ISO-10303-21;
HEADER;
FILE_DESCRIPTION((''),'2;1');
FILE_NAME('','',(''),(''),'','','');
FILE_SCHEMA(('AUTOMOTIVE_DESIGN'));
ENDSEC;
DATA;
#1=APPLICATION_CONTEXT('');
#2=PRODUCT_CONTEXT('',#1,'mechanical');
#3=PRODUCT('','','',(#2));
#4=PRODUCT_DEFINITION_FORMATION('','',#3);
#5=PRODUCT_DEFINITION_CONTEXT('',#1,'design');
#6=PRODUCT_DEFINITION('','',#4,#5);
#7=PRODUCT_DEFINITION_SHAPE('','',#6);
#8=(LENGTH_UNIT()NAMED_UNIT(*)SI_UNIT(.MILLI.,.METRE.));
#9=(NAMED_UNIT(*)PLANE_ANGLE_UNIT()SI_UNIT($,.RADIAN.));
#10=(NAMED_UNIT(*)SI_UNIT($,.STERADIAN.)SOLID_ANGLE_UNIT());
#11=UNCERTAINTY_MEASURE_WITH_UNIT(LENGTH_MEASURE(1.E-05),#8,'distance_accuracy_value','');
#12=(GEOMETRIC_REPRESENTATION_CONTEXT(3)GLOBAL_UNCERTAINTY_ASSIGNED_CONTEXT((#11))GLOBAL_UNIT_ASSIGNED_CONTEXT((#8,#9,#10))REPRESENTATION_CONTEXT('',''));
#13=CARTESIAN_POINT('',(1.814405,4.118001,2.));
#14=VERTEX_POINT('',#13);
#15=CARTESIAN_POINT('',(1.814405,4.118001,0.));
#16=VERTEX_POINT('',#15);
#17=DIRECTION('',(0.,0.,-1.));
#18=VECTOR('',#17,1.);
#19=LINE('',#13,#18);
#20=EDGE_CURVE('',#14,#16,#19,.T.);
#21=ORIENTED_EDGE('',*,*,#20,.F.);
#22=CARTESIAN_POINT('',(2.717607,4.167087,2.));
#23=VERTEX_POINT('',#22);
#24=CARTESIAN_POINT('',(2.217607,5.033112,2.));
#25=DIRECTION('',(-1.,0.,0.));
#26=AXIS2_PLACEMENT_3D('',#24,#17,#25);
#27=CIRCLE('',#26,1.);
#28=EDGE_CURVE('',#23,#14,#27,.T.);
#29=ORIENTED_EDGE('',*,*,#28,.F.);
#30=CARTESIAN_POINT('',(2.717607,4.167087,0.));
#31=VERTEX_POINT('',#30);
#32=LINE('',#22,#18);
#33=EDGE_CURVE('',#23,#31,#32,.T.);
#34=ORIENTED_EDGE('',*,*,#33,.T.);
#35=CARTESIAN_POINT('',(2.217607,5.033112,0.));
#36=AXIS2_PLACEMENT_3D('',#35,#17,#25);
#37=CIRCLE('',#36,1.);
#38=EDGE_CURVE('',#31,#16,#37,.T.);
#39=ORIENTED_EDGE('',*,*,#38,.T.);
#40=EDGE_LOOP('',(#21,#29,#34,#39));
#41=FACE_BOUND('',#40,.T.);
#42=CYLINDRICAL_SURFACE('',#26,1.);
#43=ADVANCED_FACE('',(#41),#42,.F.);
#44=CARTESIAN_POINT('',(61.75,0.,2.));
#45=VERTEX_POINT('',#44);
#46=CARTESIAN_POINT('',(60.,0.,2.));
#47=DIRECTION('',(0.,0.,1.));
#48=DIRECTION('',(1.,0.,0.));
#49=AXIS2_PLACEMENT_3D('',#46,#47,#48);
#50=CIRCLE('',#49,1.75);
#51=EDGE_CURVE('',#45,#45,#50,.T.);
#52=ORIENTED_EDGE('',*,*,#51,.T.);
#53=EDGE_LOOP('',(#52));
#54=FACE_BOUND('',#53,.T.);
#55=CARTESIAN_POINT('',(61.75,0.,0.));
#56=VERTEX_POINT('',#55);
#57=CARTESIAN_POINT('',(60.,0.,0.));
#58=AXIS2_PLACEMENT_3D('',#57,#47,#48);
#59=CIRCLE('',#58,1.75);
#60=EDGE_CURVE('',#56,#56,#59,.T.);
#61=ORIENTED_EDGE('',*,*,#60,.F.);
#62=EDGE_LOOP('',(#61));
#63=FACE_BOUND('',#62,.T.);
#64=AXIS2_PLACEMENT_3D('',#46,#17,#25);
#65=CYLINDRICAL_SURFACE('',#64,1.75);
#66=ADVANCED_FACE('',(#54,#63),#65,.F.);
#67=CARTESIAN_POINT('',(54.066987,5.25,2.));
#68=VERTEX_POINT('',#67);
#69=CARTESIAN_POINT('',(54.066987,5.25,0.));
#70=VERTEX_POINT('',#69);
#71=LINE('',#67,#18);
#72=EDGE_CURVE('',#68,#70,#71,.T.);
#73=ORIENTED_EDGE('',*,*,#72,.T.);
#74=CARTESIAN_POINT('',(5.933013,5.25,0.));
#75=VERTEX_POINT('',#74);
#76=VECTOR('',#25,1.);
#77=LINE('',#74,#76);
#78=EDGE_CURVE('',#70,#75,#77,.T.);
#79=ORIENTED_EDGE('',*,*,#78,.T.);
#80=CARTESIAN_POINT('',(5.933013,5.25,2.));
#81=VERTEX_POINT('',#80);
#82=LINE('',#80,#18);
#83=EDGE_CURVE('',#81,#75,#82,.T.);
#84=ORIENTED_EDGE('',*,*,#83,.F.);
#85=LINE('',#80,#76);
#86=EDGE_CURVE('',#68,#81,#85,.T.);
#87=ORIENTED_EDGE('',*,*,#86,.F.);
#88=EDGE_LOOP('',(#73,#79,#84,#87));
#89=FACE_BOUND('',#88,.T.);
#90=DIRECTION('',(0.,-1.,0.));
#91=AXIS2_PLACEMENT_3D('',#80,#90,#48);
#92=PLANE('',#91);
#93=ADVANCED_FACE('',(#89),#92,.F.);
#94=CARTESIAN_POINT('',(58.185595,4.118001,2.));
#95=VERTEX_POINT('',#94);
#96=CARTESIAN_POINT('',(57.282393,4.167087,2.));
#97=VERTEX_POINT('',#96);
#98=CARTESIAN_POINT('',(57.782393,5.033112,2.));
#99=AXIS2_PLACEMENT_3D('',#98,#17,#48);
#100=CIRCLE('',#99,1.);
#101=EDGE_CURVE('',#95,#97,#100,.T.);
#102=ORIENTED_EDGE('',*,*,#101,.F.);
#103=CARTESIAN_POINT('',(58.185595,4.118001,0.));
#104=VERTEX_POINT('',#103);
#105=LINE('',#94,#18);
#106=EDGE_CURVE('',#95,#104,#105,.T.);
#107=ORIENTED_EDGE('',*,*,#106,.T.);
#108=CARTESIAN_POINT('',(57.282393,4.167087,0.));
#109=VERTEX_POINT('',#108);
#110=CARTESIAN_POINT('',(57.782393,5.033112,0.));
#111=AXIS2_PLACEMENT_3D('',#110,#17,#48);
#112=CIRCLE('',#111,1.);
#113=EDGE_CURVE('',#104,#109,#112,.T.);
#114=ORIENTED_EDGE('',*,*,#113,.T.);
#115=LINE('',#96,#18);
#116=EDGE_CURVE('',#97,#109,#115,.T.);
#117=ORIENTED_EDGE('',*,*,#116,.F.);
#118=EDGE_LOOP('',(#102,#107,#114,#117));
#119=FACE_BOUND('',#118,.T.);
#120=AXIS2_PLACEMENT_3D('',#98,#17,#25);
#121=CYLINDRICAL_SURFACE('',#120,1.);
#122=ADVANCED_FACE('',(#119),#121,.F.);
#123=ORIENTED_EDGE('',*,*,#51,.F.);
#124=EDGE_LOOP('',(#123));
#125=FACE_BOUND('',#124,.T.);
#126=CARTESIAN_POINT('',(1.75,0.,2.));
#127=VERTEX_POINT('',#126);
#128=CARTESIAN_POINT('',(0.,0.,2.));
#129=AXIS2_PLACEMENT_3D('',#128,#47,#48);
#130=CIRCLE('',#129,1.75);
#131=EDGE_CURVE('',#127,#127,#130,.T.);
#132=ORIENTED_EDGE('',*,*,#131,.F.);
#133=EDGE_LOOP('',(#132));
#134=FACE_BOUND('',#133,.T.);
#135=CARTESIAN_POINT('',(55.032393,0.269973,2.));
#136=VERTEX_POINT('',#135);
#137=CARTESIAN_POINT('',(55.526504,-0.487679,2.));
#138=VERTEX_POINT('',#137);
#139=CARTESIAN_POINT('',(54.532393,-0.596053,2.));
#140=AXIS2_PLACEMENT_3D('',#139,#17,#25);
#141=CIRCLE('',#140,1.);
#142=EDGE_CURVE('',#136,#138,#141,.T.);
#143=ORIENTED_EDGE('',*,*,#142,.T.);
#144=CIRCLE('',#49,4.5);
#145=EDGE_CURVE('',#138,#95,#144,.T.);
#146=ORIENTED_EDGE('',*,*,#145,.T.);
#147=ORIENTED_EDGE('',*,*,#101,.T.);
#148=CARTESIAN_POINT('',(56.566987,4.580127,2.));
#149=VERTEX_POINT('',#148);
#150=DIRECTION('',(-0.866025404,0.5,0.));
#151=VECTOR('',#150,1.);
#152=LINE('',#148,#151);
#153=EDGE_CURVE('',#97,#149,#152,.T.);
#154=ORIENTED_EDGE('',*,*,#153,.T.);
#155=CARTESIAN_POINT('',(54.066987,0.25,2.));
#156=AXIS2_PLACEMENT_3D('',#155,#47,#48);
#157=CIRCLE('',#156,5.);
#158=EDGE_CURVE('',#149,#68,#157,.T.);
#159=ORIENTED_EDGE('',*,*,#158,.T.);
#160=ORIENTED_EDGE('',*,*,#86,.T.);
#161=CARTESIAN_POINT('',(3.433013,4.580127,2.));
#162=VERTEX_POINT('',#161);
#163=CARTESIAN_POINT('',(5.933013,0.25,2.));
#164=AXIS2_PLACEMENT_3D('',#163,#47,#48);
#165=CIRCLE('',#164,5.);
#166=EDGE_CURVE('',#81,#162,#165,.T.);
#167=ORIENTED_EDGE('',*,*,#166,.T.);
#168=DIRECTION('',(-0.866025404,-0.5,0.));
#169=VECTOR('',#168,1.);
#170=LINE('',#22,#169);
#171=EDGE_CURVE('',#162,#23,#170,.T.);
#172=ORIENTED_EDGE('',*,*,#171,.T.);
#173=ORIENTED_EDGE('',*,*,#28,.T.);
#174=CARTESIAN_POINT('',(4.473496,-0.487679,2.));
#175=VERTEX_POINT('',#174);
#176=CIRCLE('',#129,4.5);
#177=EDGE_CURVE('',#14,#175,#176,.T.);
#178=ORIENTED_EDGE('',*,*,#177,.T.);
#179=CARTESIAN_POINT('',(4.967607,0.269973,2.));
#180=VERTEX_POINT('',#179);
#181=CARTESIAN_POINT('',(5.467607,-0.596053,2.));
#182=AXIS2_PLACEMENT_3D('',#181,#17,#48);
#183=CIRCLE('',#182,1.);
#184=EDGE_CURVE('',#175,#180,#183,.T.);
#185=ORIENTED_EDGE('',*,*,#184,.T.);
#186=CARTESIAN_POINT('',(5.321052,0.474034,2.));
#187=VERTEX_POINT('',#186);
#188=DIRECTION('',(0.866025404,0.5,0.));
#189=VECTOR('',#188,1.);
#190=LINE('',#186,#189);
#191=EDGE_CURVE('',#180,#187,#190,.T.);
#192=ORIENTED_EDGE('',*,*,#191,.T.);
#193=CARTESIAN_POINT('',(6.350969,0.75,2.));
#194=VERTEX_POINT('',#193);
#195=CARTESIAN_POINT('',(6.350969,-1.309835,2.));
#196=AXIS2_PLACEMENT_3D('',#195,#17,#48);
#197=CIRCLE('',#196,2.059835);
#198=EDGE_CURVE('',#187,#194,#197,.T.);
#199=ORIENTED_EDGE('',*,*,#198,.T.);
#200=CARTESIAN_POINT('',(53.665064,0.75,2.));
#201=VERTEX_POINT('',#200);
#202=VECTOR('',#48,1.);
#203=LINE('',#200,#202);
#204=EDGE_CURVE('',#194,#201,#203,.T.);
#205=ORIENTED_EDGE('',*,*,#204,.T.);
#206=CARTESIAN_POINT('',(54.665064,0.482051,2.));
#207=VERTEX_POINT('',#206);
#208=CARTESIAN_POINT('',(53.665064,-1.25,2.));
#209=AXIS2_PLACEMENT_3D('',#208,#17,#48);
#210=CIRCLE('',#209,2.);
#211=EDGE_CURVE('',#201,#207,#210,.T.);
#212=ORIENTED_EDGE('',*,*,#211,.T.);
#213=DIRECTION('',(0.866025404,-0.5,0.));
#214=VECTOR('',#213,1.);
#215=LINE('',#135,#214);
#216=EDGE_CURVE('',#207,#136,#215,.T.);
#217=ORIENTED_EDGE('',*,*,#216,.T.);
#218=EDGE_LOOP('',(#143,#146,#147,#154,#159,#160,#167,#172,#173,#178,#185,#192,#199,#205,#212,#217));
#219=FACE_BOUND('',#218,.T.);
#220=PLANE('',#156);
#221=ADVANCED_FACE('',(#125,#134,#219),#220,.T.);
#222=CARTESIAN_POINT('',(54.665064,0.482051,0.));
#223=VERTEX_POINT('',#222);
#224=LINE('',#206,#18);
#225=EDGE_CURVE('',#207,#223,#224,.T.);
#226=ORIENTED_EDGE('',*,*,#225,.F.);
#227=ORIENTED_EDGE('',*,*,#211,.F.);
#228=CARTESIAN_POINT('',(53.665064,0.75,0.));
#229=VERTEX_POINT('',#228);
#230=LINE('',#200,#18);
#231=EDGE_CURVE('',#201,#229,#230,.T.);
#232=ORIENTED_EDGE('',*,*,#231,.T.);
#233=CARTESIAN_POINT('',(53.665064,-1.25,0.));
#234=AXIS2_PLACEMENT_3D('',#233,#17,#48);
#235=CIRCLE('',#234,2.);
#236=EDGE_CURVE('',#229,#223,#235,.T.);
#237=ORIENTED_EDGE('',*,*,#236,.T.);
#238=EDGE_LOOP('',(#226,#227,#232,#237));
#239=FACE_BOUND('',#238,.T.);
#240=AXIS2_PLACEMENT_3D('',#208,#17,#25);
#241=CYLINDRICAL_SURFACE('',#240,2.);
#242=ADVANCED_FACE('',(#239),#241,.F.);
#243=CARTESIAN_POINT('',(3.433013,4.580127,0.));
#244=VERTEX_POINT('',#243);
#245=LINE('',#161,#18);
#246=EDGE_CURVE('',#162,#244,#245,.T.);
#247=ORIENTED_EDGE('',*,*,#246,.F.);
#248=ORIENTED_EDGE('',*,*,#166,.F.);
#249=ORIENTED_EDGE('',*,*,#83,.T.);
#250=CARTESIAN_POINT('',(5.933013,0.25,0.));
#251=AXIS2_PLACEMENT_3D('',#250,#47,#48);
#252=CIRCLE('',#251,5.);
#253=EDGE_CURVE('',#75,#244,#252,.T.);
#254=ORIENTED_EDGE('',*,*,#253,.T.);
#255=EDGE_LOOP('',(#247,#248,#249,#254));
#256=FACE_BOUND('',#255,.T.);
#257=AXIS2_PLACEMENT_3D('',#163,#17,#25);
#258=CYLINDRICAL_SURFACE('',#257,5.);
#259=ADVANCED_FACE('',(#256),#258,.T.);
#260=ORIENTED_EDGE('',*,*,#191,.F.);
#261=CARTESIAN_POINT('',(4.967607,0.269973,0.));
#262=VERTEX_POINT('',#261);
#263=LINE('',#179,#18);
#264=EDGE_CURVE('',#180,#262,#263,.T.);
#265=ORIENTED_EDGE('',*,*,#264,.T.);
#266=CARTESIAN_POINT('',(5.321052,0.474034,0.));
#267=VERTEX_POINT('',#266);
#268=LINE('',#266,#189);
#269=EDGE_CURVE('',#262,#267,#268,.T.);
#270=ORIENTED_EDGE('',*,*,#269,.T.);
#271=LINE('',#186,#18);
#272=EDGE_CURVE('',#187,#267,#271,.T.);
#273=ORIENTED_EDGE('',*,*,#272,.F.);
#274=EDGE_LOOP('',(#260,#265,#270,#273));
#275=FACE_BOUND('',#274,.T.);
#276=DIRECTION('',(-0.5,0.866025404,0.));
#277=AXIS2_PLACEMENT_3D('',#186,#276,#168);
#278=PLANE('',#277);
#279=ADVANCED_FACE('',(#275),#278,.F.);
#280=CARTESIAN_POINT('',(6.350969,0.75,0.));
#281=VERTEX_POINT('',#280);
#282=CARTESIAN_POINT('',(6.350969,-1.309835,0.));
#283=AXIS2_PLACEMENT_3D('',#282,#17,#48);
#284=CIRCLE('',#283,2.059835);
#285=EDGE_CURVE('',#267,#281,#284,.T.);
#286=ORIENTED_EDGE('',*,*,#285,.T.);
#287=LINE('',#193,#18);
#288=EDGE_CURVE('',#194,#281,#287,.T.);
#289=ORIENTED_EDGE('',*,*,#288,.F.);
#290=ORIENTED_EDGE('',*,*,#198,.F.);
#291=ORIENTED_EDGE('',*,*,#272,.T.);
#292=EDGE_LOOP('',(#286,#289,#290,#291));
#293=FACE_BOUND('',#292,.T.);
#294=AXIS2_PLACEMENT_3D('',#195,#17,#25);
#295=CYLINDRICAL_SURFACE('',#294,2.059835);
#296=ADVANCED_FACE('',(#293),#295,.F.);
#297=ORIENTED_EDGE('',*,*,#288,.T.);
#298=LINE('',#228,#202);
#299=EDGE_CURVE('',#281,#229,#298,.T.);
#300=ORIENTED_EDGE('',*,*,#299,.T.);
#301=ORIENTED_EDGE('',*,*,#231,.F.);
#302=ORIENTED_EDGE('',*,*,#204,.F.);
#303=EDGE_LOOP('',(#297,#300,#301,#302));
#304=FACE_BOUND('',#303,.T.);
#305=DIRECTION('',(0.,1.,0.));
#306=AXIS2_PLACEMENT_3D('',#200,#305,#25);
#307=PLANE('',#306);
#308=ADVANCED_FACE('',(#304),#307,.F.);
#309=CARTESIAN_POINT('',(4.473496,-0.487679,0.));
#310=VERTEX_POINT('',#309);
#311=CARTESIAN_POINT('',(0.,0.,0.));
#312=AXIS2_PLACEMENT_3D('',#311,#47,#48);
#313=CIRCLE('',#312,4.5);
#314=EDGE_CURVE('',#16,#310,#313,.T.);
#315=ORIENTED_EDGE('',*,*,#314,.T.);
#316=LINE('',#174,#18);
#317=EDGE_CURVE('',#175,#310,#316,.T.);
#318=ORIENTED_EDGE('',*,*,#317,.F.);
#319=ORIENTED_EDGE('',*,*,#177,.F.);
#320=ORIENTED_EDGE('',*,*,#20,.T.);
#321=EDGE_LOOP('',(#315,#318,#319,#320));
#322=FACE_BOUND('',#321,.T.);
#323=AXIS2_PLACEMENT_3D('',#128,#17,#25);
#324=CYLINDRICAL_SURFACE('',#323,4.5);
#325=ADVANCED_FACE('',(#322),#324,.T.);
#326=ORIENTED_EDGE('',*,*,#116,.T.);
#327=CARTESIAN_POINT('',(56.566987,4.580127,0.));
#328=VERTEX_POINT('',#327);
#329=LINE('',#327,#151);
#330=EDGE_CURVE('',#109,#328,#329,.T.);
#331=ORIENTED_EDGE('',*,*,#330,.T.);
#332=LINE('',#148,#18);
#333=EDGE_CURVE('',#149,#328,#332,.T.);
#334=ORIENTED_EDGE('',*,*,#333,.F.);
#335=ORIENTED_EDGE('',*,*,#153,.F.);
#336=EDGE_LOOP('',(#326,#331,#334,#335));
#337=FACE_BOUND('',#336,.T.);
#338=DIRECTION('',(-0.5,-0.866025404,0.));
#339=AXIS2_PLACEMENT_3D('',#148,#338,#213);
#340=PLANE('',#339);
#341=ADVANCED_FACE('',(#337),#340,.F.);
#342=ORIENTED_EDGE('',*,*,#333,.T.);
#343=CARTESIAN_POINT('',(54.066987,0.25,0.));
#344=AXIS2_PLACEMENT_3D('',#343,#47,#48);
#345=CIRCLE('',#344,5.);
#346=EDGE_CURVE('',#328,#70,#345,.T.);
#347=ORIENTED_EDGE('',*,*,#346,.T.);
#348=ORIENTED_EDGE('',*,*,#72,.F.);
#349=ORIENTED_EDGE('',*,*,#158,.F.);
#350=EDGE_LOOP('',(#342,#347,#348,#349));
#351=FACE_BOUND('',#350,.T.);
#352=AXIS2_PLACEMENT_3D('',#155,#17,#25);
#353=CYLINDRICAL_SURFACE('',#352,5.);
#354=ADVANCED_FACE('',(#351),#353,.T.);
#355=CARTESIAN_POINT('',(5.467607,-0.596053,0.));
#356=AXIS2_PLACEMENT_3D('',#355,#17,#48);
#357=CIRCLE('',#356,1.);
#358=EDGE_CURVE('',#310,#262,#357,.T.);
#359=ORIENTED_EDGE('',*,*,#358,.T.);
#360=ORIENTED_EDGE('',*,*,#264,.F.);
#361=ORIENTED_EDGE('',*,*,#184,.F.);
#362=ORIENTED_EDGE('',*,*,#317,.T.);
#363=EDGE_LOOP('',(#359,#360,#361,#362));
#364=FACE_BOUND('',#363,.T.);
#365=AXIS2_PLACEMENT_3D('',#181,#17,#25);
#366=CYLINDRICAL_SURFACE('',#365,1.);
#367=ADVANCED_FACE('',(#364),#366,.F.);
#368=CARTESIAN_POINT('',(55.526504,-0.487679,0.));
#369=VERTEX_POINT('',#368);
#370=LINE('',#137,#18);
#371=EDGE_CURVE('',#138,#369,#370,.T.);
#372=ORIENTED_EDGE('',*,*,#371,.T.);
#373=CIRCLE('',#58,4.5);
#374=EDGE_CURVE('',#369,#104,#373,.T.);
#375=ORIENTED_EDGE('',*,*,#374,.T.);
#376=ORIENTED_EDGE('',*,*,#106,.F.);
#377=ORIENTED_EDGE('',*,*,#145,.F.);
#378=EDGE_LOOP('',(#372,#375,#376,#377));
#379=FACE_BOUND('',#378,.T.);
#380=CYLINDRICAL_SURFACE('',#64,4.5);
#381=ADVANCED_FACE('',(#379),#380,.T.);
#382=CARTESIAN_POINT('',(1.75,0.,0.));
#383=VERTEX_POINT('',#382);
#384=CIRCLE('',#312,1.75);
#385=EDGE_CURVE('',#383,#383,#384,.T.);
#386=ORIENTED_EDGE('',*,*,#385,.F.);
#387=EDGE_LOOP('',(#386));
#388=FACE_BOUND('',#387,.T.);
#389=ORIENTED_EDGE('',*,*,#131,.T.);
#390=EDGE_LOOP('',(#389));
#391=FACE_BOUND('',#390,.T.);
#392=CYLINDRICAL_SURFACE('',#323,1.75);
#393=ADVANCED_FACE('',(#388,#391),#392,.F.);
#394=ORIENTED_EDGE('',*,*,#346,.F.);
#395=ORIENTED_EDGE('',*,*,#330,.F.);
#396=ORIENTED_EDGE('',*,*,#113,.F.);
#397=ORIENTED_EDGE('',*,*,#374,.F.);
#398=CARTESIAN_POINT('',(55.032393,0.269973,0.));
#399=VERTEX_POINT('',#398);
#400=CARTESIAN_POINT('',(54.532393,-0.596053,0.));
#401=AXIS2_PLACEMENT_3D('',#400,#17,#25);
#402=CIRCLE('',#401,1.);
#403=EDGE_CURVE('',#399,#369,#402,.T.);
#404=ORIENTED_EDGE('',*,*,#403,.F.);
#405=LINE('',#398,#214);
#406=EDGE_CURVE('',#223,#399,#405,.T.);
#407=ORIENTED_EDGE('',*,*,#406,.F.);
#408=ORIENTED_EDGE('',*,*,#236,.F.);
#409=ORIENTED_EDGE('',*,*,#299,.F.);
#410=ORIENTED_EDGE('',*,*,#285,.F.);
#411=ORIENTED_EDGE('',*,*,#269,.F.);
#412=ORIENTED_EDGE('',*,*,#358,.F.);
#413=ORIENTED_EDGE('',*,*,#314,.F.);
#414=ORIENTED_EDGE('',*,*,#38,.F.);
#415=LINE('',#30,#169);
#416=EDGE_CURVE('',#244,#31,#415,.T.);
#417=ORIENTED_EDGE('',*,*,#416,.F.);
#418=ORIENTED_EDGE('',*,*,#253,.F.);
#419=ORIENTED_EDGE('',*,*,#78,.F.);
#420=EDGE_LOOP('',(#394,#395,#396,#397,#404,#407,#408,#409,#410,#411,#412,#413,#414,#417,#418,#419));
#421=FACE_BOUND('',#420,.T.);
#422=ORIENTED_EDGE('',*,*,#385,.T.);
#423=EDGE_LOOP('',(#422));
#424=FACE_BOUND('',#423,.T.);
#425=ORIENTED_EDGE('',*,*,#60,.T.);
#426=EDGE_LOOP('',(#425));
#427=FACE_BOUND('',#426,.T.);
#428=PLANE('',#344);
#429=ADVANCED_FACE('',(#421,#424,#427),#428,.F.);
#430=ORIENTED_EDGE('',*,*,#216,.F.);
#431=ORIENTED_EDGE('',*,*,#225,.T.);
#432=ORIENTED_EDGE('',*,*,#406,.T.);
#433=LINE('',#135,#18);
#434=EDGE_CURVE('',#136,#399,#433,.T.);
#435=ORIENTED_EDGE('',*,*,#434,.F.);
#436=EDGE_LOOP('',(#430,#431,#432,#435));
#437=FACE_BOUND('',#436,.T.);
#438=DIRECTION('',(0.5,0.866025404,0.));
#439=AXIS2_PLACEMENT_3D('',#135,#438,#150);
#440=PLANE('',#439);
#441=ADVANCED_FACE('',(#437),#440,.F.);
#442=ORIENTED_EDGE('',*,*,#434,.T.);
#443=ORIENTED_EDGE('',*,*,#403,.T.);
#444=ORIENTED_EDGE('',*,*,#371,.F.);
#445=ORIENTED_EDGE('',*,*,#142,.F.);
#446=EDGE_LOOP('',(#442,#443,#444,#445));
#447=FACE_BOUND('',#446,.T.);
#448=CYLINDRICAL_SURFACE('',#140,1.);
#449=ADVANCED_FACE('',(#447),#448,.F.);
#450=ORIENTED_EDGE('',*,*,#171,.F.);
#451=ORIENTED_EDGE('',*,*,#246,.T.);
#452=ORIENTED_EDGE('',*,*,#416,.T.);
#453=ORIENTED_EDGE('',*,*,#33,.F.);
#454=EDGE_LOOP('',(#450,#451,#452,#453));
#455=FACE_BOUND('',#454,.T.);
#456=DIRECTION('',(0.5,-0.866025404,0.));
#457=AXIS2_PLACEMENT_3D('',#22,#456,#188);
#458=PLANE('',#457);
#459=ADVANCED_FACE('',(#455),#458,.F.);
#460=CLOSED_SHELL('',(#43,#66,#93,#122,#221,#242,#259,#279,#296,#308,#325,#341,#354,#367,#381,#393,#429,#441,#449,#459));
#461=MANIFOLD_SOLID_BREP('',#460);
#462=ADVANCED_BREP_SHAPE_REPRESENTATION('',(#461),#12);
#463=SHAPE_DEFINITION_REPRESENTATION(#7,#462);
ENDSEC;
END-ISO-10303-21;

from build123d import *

# Parameters (mm, degrees)
SKETCH1_R           = 1.75
BOSS_EXTRUDE1_DEPTH = 2


with BuildPart() as part:
    # Sketch1 → Boss-Extrude1 (new body)
    with BuildSketch(Plane.XY):
        with BuildLine():
            Line((2.717606537, 4.167087077), (3.433012702, 4.580127019))
            ThreePointArc((3.433012702, 4.580127019), (4.638917476, 5.079629131), (5.933012702, 5.25))
            Line((5.933012702, 5.25), (54.066987298, 5.25))
            ThreePointArc((54.066987298, 5.25), (55.361082524, 5.079629131), (56.566987298, 4.580127019))
            Line((56.566987298, 4.580127019), (57.282393463, 4.167087077))
            ThreePointArc((57.282393463, 4.167087077), (57.728126896, 4.034585997), (58.185594651, 4.118001121))
            ThreePointArc((58.185594651, 4.118001121), (63.897114317, -2.25), (55.526503742, -0.487679436))
            ThreePointArc((55.526503742, -0.487679436), (55.370009481, -0.049793176), (55.032393463, 0.26997276))
            Line((55.032393463, 0.26997276), (54.665063509, 0.482050808))
            ThreePointArc((54.665063509, 0.482050808), (54.1827016, 0.681851653), (53.665063509, 0.75))
            Line((53.665063509, 0.75), (6.350969201, 0.75))
            ThreePointArc((6.350969201, 0.75), (5.817844702, 0.679812828), (5.321051756, 0.474034452))
            Line((5.321051756, 0.474034452), (4.967606537, 0.26997276))
            ThreePointArc((4.967606537, 0.26997276), (4.629990519, -0.049793176), (4.473496258, -0.487679436))
            ThreePointArc((4.473496258, -0.487679436), (-3.897114317, -2.25), (1.814405349, 4.118001121))
            ThreePointArc((1.814405349, 4.118001121), (2.271873104, 4.034585997), (2.717606537, 4.167087077))
        make_face()
        Circle(SKETCH1_R, mode=Mode.SUBTRACT)
        with Locations((60, 0)):
            Circle(SKETCH1_R, mode=Mode.SUBTRACT)
    extrude(amount=BOSS_EXTRUDE1_DEPTH)


solid = part.part
